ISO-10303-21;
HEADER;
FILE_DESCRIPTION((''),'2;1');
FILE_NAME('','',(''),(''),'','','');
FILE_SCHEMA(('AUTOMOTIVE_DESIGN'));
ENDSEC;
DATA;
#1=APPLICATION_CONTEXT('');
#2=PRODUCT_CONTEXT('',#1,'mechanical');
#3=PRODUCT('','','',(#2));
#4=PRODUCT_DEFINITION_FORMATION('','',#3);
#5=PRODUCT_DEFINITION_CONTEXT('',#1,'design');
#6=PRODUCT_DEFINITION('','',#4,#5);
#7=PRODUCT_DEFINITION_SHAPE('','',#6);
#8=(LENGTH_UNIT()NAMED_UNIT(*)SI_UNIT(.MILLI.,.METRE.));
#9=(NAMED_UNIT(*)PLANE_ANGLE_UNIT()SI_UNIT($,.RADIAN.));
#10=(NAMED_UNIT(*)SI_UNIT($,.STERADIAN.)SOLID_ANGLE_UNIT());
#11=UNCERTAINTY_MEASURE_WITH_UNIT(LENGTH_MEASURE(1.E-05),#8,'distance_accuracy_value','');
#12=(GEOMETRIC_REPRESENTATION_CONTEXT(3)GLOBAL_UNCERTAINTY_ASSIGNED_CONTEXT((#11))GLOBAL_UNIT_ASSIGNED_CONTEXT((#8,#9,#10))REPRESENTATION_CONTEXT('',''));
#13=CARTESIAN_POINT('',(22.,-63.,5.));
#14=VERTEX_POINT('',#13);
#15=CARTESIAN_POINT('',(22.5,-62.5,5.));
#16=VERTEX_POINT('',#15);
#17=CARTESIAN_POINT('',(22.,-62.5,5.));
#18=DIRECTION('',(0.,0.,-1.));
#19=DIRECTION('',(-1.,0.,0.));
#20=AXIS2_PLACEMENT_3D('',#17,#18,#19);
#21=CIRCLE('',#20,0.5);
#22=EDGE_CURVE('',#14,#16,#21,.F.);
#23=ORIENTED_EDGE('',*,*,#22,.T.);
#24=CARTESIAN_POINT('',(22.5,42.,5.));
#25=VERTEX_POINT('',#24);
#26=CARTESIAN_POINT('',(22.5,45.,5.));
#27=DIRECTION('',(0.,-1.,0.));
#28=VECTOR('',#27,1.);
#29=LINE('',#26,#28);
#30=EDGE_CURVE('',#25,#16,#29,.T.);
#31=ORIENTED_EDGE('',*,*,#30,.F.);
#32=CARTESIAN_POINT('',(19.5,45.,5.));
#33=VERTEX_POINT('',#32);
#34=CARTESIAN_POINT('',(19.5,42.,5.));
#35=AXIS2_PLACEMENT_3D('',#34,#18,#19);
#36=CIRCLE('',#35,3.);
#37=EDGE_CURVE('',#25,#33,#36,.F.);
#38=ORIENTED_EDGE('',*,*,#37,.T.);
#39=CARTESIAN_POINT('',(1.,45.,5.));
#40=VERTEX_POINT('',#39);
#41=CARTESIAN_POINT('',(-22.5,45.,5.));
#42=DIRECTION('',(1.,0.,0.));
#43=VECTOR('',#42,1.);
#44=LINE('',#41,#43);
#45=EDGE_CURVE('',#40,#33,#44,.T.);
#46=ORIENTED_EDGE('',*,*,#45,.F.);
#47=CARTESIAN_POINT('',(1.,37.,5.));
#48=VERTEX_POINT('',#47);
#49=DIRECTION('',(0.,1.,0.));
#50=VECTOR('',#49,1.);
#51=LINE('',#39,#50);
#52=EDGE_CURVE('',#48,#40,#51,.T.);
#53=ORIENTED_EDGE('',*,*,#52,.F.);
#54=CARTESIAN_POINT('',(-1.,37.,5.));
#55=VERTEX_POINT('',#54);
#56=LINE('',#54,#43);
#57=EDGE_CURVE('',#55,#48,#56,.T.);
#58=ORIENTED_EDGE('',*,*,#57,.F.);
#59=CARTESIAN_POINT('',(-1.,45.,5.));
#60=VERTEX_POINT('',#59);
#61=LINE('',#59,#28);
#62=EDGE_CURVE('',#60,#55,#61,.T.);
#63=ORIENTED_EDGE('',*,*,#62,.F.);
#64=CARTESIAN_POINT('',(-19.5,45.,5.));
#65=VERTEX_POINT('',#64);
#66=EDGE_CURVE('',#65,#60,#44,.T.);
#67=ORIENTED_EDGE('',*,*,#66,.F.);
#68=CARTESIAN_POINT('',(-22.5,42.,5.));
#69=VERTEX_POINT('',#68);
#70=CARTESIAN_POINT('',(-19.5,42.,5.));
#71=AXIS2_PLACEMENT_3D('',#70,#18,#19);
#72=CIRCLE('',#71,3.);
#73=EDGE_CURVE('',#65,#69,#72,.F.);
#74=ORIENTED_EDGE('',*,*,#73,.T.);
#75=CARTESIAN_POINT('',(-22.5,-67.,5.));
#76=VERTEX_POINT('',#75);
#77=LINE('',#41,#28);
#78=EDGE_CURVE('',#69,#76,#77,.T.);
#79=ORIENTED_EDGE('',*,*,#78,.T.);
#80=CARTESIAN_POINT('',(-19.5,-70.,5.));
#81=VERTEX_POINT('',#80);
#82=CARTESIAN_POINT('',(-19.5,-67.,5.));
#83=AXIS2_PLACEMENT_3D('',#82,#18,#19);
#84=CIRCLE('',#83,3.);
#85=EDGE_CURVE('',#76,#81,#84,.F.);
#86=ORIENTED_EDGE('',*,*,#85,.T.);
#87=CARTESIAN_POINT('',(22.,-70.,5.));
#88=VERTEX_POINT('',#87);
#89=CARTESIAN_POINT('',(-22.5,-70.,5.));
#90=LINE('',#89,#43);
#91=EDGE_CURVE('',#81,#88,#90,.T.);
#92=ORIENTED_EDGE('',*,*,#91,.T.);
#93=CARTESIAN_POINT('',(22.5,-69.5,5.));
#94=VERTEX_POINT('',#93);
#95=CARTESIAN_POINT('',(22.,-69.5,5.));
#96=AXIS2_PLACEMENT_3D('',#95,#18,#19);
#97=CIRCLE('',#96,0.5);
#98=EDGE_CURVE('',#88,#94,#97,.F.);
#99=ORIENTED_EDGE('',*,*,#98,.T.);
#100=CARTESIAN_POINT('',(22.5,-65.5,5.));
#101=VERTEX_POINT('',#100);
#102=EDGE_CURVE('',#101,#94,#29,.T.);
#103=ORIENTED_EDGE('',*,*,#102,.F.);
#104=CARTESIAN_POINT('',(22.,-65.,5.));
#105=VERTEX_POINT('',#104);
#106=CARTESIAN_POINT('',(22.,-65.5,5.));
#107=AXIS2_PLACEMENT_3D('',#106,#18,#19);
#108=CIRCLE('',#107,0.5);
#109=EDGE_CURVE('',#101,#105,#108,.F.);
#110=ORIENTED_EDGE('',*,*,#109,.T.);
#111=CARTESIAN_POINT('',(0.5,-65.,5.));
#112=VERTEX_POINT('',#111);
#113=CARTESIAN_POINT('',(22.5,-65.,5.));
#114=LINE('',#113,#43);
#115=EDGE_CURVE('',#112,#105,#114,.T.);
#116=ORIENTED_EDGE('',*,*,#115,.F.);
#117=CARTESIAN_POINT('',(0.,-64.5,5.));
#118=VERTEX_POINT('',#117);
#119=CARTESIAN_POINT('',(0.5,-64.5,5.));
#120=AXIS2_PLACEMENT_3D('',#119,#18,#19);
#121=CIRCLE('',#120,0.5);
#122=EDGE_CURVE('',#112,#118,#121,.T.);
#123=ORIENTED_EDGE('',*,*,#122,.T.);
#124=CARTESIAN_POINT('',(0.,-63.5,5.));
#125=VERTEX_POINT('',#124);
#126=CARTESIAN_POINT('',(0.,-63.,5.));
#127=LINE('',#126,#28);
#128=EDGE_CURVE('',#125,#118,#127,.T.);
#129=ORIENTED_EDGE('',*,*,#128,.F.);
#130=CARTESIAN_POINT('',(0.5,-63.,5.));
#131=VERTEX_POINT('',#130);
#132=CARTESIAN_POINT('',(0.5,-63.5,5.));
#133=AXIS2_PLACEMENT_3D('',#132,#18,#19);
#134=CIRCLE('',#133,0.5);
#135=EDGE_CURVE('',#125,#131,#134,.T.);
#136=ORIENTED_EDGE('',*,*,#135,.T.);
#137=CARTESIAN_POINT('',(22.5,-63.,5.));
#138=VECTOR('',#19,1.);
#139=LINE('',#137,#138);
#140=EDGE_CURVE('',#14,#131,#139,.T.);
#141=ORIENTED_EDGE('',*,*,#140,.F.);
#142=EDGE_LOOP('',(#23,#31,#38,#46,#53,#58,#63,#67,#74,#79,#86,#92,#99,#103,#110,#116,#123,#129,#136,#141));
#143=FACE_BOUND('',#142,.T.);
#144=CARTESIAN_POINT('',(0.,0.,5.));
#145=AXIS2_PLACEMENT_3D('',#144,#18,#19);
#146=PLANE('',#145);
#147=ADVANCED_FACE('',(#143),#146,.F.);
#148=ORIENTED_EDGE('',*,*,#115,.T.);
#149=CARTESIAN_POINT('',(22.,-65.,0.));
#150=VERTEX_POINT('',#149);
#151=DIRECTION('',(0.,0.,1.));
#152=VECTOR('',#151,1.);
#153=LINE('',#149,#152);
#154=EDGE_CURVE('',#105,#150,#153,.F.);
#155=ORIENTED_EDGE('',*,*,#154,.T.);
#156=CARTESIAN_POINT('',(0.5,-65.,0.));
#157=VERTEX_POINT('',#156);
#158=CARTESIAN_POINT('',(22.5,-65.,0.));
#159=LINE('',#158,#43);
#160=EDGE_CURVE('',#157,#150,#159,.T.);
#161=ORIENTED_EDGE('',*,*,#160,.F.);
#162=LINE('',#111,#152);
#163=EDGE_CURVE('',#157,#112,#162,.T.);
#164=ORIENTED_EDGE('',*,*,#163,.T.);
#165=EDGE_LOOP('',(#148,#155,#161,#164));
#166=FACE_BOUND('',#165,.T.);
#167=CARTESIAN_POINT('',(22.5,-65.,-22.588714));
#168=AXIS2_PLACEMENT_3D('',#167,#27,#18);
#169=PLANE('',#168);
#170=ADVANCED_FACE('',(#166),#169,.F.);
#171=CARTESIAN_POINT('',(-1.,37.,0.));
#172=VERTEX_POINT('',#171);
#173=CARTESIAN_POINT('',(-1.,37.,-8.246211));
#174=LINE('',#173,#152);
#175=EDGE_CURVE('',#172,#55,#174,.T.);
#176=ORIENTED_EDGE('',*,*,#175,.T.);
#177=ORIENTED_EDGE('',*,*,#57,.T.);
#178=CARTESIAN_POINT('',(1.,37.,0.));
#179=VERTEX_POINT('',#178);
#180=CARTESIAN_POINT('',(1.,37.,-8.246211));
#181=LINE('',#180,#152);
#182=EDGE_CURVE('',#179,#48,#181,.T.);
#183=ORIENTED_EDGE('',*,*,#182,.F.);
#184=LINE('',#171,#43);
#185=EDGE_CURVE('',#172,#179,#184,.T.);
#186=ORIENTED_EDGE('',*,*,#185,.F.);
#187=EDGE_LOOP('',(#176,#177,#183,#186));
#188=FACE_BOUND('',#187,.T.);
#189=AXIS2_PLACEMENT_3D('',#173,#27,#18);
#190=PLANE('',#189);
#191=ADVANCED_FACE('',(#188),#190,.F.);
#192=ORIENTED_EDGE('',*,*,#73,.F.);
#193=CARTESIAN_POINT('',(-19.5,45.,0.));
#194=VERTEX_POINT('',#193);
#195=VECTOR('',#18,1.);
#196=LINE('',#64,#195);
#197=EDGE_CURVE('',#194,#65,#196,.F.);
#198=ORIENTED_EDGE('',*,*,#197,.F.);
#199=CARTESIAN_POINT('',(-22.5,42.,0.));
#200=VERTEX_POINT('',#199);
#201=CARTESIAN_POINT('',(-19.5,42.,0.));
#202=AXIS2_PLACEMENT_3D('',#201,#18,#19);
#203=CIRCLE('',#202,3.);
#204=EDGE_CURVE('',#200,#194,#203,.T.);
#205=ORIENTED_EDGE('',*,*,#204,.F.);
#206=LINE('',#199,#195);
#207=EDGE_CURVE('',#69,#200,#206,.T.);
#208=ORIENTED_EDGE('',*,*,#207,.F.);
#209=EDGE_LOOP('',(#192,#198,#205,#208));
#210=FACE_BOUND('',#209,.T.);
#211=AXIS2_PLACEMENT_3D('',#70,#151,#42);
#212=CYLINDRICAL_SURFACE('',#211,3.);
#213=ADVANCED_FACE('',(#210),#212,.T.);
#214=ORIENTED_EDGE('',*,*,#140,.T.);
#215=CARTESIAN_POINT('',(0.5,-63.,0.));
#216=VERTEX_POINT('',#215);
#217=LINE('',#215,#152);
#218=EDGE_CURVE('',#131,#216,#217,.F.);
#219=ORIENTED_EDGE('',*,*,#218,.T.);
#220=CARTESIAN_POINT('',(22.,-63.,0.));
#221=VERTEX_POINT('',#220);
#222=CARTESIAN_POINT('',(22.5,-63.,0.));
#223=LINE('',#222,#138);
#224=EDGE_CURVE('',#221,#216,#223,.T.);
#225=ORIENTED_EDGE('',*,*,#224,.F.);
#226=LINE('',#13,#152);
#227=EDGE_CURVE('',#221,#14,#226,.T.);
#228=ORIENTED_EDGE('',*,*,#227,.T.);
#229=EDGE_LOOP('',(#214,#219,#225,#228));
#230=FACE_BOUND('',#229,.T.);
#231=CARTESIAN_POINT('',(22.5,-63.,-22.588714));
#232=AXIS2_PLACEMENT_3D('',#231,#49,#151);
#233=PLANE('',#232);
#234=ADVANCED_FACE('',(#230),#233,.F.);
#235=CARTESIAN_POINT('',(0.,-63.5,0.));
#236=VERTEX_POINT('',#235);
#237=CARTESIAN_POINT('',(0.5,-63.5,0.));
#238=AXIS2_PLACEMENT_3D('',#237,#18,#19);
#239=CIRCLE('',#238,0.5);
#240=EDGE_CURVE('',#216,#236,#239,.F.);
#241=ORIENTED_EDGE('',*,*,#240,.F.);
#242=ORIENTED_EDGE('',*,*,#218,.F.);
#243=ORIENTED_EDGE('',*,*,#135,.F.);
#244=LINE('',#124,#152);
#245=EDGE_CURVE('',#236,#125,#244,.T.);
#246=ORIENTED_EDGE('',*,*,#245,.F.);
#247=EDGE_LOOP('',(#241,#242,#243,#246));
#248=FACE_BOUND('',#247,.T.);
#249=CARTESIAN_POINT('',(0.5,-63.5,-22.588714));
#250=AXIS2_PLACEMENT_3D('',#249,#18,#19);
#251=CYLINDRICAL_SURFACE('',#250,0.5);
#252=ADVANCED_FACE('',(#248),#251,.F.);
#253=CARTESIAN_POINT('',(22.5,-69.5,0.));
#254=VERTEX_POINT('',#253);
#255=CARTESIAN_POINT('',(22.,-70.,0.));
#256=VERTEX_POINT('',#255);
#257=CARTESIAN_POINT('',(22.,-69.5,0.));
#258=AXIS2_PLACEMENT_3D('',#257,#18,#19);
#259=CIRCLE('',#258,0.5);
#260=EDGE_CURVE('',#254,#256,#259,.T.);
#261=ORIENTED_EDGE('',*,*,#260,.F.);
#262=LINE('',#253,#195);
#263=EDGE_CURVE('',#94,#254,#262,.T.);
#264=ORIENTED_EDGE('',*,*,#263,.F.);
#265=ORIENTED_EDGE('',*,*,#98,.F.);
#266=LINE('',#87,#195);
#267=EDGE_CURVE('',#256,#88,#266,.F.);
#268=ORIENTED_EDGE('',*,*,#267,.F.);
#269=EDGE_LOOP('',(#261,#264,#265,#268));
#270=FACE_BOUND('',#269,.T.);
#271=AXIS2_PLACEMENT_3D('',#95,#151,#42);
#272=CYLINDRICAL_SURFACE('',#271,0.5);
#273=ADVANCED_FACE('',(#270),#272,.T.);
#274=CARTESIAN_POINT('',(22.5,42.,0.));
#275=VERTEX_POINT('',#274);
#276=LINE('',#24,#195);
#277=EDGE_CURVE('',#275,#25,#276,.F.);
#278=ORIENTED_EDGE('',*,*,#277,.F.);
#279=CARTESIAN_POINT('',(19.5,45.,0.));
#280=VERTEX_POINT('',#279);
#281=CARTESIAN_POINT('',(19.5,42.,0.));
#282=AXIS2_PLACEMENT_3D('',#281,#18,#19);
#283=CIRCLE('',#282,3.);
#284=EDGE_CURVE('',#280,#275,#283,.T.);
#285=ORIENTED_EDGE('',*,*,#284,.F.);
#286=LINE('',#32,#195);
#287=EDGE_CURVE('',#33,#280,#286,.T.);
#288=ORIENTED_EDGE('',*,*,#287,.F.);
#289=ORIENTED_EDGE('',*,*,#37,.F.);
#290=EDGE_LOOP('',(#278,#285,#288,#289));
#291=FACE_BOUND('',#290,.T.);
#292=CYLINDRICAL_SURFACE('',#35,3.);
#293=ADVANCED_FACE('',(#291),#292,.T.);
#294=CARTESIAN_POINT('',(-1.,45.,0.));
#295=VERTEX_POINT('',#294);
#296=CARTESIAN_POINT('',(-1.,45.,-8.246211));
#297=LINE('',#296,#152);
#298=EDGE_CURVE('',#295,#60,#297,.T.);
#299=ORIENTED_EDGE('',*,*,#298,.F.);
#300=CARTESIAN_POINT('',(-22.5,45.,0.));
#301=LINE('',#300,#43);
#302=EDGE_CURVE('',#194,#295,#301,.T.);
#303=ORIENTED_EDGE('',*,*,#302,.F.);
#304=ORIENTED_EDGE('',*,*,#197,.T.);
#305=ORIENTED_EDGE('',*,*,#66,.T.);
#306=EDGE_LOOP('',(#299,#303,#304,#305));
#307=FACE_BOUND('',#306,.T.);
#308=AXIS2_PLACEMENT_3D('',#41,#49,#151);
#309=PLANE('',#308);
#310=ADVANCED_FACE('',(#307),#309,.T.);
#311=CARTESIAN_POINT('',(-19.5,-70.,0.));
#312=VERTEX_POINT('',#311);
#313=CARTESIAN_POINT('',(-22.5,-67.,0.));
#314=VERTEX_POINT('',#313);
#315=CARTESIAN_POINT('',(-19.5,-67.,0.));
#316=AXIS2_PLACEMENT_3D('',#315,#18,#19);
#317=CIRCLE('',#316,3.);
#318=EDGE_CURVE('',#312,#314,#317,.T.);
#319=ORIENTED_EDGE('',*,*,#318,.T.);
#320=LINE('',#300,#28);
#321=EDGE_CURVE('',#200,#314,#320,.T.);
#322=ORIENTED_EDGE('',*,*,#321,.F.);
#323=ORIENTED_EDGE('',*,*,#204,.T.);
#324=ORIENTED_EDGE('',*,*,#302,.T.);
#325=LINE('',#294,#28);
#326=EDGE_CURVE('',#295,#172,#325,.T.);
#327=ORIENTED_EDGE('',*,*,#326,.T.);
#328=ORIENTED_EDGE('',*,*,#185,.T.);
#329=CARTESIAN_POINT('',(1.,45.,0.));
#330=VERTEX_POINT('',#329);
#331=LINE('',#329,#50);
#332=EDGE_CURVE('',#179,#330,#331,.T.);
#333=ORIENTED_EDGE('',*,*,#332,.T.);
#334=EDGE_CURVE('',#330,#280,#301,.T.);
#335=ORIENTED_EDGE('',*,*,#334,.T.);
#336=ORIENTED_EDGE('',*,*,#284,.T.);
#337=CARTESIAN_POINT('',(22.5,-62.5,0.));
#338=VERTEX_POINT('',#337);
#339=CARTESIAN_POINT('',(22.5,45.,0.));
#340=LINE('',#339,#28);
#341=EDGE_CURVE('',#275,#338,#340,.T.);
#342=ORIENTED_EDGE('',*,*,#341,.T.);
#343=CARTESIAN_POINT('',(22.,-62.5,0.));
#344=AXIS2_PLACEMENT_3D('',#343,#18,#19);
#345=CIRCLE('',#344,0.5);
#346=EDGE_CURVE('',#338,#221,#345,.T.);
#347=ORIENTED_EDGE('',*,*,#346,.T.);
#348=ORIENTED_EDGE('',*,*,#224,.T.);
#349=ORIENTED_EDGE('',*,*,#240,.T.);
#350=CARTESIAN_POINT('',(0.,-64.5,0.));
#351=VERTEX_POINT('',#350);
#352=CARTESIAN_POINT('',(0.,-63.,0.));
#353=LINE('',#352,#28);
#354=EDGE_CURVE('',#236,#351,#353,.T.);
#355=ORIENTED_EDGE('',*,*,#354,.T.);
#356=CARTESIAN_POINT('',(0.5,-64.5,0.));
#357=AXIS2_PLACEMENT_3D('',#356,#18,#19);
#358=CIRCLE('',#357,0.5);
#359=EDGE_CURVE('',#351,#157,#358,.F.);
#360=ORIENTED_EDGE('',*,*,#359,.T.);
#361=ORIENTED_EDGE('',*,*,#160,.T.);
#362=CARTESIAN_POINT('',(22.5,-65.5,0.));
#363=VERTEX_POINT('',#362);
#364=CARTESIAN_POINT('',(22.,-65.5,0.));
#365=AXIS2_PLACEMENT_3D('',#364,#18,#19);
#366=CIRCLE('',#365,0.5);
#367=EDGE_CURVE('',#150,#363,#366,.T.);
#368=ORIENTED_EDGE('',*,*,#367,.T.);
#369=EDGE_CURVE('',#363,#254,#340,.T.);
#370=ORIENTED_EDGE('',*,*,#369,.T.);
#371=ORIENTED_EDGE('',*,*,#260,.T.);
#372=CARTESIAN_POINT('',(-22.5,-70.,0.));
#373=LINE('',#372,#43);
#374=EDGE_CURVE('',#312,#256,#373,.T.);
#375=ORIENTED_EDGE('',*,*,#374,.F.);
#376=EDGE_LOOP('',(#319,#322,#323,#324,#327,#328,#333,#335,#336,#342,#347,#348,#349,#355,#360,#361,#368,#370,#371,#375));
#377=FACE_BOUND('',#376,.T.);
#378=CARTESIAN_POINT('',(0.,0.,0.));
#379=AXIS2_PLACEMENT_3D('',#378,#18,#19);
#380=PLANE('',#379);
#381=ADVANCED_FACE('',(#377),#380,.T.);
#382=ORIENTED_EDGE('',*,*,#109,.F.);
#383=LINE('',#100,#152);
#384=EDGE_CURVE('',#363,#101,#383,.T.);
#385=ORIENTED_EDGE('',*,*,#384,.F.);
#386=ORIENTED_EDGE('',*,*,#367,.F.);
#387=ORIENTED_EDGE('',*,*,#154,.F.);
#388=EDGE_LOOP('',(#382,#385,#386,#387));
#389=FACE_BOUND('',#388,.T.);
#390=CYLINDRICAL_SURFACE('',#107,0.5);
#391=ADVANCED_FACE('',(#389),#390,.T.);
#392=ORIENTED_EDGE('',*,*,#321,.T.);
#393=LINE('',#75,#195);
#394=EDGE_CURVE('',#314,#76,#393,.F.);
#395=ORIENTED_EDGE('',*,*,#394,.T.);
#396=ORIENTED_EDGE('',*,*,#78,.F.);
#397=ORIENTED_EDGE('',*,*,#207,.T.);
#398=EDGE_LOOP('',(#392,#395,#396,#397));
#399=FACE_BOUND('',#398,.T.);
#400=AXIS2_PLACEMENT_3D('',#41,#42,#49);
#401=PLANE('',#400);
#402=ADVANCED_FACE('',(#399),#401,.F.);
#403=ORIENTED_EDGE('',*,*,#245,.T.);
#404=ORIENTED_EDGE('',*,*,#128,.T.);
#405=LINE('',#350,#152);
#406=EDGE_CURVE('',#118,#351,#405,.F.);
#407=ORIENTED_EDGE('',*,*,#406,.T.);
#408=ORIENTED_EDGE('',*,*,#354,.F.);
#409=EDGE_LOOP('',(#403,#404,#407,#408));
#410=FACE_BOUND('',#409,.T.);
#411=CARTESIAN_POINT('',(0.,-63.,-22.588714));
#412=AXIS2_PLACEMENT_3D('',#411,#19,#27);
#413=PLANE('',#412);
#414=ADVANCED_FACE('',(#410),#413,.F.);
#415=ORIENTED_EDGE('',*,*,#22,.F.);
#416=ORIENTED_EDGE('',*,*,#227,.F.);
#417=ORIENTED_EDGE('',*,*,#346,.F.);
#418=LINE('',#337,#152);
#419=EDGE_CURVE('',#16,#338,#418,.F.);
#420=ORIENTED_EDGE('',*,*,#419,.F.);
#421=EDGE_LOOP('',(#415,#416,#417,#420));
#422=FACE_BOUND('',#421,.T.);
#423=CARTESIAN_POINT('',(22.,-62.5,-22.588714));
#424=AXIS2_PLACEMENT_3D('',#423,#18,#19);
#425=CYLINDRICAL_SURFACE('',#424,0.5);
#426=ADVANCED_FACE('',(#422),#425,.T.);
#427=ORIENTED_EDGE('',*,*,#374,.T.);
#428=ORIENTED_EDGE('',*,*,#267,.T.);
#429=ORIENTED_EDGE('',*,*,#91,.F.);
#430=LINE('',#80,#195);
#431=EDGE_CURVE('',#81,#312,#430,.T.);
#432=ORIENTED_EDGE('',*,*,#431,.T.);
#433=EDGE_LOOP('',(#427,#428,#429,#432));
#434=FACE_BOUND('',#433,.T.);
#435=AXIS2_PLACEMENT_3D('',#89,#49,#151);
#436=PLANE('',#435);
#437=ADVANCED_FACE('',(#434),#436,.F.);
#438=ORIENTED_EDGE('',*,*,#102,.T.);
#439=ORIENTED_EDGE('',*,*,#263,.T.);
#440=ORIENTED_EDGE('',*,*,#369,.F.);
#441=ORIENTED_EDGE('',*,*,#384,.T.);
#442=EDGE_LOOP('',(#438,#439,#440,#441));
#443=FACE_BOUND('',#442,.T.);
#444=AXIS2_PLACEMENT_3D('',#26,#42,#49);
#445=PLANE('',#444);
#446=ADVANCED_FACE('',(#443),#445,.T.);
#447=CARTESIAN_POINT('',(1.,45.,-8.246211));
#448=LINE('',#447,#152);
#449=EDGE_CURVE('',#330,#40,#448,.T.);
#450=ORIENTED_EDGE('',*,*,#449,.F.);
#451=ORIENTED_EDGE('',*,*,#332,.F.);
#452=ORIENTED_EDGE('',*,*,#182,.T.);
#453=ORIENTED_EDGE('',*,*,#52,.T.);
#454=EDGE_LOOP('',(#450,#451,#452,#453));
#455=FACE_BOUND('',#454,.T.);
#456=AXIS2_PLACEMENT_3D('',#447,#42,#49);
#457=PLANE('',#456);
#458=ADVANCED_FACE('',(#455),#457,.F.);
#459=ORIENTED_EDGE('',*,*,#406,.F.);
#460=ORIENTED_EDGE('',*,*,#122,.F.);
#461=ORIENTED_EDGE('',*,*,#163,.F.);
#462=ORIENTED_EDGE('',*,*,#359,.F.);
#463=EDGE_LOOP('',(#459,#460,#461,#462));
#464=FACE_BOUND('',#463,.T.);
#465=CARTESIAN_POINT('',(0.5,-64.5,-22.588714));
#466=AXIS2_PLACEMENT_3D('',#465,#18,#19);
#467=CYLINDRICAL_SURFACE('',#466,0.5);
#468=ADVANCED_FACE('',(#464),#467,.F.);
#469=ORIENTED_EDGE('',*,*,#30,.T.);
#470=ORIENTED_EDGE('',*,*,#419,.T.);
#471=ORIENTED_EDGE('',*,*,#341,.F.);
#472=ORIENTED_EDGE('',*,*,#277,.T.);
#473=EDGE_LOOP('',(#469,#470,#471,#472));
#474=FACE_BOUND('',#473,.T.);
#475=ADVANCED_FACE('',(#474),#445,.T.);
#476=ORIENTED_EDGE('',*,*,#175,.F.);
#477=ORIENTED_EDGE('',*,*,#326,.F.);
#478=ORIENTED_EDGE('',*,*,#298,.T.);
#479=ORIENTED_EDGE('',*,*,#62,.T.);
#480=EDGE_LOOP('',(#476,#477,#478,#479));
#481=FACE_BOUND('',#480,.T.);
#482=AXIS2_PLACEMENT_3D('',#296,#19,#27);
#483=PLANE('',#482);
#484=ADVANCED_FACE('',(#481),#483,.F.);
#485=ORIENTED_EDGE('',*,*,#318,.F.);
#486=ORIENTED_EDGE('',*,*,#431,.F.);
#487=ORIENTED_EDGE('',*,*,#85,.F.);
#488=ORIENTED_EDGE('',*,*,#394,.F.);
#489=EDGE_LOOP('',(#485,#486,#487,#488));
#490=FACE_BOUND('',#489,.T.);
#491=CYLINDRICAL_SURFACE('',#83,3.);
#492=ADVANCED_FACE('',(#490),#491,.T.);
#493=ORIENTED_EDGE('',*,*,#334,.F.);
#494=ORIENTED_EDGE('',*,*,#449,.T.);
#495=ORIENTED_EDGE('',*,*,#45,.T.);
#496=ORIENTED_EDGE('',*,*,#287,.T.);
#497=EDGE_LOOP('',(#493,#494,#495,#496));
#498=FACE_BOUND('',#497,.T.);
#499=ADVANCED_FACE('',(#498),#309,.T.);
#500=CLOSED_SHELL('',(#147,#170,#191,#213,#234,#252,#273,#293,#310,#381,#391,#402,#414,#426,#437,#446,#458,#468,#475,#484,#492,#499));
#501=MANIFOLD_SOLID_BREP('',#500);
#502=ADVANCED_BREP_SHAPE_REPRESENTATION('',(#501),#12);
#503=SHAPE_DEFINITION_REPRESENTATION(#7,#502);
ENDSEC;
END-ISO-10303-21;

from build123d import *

# Parameters (mm, degrees)
CROQUIS1_W              = 45
CROQUIS1_H              = 115
SALIENTE_EXTRUIR1_DEPTH = 5
CROQUIS3_W              = 22.5
CROQUIS3_H              = 2
CORTAR_EXTRUIR2_DEPTH   = 5
REDONDEO1_R             = 3
CROQUIS4_W              = 2
CROQUIS4_H              = 8
CORTAR_EXTRUIR3_DEPTH   = 5
REDONDEO2_R             = 0.5


with BuildPart() as part:
    # Croquis1 → Saliente-Extruir1 (new body)
    with BuildSketch(Plane.XY):
        with Locations((0, -12.5)):
            Rectangle(CROQUIS1_W, CROQUIS1_H)
    extrude(amount=SALIENTE_EXTRUIR1_DEPTH)

    # Croquis3 → Cortar-Extruir2 (cut)
    with BuildSketch(Plane.XY.offset(5)):
        with Locations((11.25, -64)):
            Rectangle(CROQUIS3_W, CROQUIS3_H)
    extrude(amount=-CORTAR_EXTRUIR2_DEPTH, mode=Mode.SUBTRACT)

    # Redondeo1
    redondeo1_edges = [part.edges().sort_by_distance(p)[0] for p in [
        (-22.5, 45, 2.5),
        (-22.5, -70, 2.5),
        (22.5, 45, 2.5),
    ]]
    fillet(redondeo1_edges, radius=REDONDEO1_R)

    # Croquis4 → Cortar-Extruir3 (cut)
    with BuildSketch(Plane.XY.offset(5)):
        with Locations((0, 41)):
            Rectangle(CROQUIS4_W, CROQUIS4_H)
    extrude(amount=-CORTAR_EXTRUIR3_DEPTH, mode=Mode.SUBTRACT)

    # Redondeo2
    redondeo2_edges = [part.edges().sort_by_distance(p)[0] for p in [
        (0, -63, 2.5),
        (0, -65, 2.5),
        (22.5, -65, 2.5),
        (22.5, -63, 2.5),
        (22.5, -70, 2.5),
    ]]
    fillet(redondeo2_edges, radius=REDONDEO2_R)


solid = part.part
